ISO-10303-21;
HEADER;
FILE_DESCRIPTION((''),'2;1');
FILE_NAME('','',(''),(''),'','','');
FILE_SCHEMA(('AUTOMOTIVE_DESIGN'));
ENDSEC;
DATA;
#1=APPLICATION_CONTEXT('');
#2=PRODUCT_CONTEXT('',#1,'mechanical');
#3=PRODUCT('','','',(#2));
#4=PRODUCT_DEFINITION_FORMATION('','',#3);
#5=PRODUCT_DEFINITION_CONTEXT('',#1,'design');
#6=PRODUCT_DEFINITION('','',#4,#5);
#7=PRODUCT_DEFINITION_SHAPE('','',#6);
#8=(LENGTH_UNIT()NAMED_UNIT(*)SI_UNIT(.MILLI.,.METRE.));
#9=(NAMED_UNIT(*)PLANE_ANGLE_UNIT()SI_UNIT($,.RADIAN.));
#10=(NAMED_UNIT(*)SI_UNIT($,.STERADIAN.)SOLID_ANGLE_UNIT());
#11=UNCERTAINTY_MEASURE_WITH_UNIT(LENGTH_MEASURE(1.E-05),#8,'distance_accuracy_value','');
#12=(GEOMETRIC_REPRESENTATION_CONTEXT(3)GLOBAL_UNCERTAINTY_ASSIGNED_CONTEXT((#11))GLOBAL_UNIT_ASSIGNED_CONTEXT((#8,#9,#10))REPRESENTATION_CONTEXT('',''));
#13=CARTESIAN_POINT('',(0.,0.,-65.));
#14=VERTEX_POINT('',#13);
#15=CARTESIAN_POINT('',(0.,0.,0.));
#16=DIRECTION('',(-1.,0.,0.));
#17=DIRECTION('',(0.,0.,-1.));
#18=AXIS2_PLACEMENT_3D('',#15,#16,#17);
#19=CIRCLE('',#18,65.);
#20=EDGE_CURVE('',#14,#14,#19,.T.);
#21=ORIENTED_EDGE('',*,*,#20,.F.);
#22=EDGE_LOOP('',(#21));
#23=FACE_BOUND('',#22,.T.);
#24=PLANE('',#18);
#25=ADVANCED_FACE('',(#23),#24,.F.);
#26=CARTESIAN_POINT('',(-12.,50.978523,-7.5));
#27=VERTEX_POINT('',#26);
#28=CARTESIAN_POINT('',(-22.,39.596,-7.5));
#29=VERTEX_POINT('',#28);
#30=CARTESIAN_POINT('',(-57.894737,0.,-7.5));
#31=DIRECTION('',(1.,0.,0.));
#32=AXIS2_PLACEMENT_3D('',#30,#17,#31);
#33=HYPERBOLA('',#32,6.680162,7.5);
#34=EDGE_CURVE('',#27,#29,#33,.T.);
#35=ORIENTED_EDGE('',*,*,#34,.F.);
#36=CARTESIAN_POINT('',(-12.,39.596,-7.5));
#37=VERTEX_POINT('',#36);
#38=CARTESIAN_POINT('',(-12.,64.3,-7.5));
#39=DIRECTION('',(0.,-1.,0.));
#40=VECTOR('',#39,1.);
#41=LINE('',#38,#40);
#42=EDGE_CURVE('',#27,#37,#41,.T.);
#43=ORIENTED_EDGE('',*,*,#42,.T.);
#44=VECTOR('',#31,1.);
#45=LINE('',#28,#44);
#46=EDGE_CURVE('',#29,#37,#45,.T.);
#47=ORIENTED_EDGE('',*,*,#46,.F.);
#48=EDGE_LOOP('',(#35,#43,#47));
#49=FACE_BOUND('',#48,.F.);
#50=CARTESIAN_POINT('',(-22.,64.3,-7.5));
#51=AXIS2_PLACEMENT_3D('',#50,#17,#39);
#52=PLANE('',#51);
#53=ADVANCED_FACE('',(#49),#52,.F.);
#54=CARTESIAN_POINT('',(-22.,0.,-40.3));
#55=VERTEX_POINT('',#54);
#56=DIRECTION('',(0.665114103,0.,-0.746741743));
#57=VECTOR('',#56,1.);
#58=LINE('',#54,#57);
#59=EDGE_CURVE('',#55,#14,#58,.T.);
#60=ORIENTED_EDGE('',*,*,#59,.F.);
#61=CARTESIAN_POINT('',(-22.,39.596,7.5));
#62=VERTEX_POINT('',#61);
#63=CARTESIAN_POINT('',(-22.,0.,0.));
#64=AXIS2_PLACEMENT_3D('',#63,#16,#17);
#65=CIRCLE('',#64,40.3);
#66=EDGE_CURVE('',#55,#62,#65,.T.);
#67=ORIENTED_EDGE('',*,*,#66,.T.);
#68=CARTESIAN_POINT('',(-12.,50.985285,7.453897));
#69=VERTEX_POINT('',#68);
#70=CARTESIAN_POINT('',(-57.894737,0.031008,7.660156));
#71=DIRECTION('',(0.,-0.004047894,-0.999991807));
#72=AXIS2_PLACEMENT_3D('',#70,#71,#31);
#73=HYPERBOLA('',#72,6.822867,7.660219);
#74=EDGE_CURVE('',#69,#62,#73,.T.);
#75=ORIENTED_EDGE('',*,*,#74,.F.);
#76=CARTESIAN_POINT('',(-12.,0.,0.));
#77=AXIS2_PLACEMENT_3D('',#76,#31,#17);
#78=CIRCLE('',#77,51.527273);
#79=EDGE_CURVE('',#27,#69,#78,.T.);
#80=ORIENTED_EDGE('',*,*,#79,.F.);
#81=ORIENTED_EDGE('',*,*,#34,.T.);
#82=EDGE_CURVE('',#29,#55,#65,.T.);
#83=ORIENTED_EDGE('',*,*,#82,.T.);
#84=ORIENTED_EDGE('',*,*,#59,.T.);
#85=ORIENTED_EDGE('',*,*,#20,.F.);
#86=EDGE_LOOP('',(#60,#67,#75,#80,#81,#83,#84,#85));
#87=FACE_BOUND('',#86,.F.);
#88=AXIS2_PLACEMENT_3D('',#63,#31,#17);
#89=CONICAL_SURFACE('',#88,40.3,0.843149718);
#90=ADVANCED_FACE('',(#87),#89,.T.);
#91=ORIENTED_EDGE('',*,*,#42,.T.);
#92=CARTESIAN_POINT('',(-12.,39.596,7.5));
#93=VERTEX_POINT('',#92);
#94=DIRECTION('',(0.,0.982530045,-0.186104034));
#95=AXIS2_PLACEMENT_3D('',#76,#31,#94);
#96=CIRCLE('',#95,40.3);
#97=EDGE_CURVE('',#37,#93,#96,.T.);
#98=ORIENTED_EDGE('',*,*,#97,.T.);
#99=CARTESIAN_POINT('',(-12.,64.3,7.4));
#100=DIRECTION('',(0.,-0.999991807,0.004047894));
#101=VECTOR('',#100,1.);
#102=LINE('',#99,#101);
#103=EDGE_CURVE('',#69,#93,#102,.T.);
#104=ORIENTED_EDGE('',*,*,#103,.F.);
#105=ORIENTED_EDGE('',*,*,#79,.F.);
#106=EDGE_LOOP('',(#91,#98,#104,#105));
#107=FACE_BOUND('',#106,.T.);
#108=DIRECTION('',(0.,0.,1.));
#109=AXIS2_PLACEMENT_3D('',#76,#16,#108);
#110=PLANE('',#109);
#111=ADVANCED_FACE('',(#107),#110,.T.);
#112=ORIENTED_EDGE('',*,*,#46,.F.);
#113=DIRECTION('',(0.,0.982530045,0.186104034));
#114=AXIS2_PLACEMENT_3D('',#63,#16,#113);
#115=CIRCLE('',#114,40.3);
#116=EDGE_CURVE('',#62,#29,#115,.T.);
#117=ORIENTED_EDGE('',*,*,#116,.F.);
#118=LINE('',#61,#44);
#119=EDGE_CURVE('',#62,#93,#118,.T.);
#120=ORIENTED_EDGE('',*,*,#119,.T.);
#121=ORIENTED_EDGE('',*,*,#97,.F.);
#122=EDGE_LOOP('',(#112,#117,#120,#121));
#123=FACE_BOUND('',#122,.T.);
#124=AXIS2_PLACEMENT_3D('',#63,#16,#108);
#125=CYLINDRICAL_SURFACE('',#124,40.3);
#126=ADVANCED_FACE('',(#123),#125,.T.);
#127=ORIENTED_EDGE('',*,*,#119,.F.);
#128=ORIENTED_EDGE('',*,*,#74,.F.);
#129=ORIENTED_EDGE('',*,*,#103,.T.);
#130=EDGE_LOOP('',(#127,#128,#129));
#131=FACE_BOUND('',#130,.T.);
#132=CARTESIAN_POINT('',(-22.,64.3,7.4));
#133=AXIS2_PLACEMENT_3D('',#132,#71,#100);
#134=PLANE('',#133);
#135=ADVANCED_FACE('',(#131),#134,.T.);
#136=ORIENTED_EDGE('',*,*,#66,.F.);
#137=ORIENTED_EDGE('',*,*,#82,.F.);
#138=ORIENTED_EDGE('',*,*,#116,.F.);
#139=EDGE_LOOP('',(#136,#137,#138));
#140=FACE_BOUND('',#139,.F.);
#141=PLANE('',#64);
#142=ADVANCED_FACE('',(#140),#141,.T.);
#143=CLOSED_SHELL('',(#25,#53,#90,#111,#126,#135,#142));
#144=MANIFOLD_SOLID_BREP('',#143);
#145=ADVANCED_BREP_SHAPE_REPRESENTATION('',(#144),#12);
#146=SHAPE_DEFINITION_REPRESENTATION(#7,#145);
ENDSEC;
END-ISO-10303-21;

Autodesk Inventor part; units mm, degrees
ref_plane "YZ Plane" through (0, 0, 0) normal (1, 0, 0) x (0, 1, 0)
ref_plane "XZ Plane" through (0, 0, 0) normal (0, 1, 0) x (-1, 0, 0)
ref_plane "XY Plane" through (0, 0, 0) normal (0, 0, 1) x (1, 0, 0)
sketch "Sketch2" plane through (0, 0, 0) normal (0, 1, 0) x (-1, 0, 0)
  line L0 (0, 0) -> (0, -65)
  line L1 (0, 0) -> (22, 0)
  line L2 (22, 0) -> (22, -40.3)
  line L3 (22, -40.3) -> (0, -65)
  dimension "d4" = 65
  dimension "d5" = 22
  dimension "d6" = 40.3
revolve "Revolution1" add sketch "Sketch2" angle 360 about axis through (0, 0, 0) along (-1, 0, 0)
sketch "Sketch3" plane through (-22, 0, 0) normal (-1, 0, 0) x (0, 0, 1)
  circle A0 centre (0, 0) radius 40.3 projected
  line L0 (0, 40.3) -> (0, 64.3)
  line L1 (0, 64.3) -> (-7.5, 64.3)
  line L2 (-7.5, 64.3) -> (-7.5, 39.596)
  line L3 (0, 64.3) -> (7.4, 64.3)
  line L4 (7.4, 64.3) -> (7.5, 39.596)
  arc A1 (7.5, 39.596) -> (-7.5, 39.596) centre (0, 0) ccw
  dimension "d11" = 24
  dimension "d12" = 7.5
  dimension "d13" = 7.4
extrude "Extrusion1" cut sketch "Sketch3" against normal blind 10 contours A0 L0 L3 L4 | L2 L1 L0 A0
properties part number "Handle Gearbox" material "PC/ABS Plastic"
